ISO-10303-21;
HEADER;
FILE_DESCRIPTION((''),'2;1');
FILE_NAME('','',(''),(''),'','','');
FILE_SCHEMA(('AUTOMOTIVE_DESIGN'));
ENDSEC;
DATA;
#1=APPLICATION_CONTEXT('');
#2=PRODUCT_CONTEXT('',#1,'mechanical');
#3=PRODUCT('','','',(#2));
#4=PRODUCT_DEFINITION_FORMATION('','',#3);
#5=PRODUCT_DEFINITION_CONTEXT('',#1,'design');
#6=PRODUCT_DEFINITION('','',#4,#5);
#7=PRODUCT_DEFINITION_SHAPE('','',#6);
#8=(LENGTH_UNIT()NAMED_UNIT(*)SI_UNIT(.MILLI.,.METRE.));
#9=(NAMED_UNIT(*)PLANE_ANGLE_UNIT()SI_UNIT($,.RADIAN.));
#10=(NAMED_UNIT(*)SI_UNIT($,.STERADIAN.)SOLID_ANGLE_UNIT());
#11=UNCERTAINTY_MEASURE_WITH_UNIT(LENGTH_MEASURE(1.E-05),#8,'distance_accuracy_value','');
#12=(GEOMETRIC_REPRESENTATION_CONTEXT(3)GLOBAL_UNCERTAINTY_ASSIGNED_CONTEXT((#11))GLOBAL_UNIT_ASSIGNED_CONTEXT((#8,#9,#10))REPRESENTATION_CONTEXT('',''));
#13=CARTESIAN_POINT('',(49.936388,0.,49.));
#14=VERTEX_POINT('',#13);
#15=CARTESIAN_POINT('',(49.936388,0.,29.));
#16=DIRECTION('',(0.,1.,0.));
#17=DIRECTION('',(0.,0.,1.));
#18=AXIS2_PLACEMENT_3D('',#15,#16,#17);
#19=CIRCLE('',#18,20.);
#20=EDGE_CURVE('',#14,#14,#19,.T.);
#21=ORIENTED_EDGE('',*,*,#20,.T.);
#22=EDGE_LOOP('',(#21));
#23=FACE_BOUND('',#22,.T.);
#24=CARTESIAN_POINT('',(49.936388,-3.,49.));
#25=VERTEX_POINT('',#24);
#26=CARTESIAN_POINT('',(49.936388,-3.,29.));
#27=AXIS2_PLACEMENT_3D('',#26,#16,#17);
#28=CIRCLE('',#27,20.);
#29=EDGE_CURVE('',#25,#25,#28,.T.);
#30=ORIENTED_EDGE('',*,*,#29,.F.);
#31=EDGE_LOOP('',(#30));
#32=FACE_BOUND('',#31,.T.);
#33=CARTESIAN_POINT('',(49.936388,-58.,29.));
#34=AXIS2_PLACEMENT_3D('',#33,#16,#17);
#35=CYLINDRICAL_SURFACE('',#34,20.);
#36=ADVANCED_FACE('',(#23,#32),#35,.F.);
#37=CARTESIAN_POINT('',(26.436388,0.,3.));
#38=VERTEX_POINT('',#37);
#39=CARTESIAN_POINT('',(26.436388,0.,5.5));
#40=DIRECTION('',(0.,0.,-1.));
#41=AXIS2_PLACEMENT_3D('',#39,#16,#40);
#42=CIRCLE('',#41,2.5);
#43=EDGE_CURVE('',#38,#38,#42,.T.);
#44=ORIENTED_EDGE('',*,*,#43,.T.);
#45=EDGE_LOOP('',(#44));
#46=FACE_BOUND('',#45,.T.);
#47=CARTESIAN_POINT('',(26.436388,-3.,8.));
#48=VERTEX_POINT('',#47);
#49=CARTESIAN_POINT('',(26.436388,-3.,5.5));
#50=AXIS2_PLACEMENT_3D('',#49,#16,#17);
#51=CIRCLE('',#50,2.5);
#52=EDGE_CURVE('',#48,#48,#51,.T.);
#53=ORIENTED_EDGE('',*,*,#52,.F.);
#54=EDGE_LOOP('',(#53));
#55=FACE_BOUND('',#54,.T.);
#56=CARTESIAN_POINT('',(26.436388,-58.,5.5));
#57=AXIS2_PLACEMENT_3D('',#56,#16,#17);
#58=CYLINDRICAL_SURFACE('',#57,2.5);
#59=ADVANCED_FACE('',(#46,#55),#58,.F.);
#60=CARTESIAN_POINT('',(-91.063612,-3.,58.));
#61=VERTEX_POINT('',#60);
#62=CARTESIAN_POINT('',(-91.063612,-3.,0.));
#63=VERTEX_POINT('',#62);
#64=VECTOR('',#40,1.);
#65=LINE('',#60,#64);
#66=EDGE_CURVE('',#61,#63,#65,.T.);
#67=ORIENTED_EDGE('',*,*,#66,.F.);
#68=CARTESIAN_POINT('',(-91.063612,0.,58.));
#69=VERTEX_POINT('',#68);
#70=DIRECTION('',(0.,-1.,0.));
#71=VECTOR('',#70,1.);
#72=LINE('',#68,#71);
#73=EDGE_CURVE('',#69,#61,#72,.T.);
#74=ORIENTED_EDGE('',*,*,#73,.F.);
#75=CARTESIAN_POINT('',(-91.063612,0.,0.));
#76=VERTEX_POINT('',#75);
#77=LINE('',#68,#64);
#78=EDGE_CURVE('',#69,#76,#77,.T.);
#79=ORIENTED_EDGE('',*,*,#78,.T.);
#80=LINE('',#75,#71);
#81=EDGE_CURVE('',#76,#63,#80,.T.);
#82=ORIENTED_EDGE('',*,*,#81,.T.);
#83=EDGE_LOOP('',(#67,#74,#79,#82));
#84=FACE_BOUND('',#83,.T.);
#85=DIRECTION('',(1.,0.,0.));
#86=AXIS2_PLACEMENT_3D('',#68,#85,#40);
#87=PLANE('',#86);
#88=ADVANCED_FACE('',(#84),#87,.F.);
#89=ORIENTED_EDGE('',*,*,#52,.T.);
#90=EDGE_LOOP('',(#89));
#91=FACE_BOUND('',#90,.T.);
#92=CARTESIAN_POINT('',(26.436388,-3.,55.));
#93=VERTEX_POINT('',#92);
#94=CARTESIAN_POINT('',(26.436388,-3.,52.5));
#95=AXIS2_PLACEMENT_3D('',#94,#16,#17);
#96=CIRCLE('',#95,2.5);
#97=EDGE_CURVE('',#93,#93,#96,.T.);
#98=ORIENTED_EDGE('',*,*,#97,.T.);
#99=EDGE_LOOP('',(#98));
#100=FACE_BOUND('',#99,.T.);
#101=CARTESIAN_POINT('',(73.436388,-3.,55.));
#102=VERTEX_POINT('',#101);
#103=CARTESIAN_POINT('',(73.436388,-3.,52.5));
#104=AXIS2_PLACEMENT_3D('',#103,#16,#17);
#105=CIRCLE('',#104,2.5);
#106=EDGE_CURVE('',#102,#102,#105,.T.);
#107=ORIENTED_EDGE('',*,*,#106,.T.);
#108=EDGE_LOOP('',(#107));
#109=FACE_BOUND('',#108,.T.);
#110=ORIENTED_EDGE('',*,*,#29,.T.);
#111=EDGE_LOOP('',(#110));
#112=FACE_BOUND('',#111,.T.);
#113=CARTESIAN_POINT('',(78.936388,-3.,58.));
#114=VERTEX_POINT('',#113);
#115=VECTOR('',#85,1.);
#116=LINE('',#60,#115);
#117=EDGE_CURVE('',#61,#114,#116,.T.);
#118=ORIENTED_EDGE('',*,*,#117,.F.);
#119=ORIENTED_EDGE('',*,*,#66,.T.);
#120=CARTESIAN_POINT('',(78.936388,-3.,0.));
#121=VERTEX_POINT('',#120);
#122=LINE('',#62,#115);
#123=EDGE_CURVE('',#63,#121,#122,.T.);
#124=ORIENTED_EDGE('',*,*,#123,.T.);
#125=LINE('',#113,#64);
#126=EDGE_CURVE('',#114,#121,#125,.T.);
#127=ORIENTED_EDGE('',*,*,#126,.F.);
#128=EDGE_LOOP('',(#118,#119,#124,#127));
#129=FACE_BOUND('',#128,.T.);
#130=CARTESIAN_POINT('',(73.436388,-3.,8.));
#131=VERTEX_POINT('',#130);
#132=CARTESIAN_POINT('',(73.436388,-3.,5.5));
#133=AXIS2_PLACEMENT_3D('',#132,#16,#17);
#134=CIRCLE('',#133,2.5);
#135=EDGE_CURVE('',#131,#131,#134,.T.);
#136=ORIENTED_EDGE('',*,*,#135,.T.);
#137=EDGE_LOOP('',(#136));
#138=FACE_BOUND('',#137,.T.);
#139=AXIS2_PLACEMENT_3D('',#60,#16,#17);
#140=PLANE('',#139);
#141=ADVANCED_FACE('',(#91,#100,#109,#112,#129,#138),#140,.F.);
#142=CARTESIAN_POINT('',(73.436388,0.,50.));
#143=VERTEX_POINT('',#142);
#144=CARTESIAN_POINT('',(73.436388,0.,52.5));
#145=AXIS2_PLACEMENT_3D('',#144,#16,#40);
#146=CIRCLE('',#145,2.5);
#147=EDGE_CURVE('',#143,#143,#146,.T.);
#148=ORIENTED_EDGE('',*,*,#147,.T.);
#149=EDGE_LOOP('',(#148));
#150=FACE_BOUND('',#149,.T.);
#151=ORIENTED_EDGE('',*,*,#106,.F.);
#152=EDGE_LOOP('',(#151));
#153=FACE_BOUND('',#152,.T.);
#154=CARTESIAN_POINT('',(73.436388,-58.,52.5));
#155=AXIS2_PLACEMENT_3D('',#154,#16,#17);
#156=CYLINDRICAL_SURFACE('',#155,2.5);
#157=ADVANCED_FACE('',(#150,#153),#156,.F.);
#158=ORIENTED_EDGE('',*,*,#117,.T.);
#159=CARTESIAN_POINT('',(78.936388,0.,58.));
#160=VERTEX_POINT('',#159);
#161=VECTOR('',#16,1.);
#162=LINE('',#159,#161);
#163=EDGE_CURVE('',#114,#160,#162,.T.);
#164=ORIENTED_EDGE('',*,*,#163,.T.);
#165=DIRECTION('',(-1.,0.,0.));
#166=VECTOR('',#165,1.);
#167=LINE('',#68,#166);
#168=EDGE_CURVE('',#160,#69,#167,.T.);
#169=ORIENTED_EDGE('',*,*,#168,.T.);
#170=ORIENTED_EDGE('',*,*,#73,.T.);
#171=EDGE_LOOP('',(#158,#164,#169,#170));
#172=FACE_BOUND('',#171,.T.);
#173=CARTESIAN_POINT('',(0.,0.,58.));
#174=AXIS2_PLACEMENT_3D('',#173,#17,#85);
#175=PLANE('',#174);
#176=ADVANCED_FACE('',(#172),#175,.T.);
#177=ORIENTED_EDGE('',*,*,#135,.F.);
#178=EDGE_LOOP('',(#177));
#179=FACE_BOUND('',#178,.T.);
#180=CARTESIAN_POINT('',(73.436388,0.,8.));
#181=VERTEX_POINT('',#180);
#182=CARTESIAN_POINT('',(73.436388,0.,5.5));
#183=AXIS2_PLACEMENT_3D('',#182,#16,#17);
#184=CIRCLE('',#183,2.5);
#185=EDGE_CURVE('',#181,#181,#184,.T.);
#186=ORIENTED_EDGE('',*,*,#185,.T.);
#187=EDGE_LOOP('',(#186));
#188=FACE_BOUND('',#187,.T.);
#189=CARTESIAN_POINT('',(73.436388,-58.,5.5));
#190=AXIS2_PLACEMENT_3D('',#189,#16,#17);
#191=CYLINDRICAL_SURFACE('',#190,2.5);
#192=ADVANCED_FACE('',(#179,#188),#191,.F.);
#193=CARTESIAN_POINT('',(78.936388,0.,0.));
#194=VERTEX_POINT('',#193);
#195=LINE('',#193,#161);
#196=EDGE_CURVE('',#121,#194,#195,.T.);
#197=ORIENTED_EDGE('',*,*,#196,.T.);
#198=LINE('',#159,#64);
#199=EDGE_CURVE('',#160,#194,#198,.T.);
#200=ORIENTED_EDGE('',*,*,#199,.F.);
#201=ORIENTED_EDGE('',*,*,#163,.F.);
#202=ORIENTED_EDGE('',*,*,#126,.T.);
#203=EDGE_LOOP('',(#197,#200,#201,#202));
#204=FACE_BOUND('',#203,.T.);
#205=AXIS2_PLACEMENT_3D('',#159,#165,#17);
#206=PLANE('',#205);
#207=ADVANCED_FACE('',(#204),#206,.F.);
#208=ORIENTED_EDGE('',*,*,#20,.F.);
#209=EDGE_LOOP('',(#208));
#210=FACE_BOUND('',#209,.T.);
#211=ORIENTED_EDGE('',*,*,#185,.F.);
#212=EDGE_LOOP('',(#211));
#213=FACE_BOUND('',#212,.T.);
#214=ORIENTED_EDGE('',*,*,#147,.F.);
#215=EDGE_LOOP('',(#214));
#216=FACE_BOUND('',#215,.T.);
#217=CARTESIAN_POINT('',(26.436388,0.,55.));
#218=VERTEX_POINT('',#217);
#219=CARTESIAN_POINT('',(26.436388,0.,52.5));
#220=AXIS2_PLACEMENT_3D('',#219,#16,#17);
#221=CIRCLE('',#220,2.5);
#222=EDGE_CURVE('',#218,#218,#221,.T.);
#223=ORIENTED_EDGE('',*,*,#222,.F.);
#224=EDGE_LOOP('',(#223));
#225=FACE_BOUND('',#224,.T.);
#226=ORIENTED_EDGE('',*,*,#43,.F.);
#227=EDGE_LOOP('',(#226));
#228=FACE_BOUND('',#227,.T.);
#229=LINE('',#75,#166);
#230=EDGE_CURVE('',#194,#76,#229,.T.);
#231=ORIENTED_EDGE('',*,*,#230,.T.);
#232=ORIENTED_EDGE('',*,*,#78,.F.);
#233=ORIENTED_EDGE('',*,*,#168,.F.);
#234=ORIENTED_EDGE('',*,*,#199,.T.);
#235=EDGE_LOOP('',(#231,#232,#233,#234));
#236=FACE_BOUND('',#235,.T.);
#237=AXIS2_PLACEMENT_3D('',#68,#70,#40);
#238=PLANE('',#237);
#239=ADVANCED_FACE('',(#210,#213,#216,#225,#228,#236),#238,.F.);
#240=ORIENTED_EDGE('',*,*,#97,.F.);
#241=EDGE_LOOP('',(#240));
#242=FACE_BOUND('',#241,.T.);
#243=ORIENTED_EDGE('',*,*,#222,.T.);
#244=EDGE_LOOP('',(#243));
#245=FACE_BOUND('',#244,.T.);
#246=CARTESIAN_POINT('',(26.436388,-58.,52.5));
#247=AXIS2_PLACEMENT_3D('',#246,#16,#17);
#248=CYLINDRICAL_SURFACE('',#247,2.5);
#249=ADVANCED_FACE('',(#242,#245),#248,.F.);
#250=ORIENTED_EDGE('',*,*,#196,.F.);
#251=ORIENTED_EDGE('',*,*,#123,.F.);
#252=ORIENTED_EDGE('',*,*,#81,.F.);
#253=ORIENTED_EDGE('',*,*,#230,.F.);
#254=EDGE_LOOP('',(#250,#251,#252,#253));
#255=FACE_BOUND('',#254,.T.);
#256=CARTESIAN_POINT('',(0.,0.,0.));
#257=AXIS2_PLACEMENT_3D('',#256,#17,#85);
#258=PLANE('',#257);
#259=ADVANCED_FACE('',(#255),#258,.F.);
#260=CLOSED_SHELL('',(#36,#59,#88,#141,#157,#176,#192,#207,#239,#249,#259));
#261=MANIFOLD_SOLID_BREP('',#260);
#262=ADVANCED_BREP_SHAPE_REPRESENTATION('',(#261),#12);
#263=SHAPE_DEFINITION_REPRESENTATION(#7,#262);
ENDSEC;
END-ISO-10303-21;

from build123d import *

# Parameters (mm, degrees)
SKETCH1_W           = 170
SKETCH1_H           = 3
BOSS_EXTRUDE1_DEPTH = 58
SKETCH2_R           = 2.5
SKETCH2_R_2         = 20
CUT_EXTRUDE1_DEPTH  = 58


with BuildPart() as part:
    # Sketch1 → Boss-Extrude1 (new body)
    with BuildSketch(Plane.XY):
        with Locations((-6.063612364, -1.5)):
            Rectangle(SKETCH1_W, SKETCH1_H)
    extrude(amount=BOSS_EXTRUDE1_DEPTH)

    # Sketch2 → Cut-Extrude1 (cut)
    with BuildSketch(Plane(origin=(0, 0, 0), x_dir=(1, 0, 0), z_dir=(0, 1, 0))):
        with Locations((73.436387636, -5.5)):
            Circle(SKETCH2_R)
        with Locations((73.436387636, -52.5)):
            Circle(SKETCH2_R)
        with Locations((26.436387636, -52.5)):
            Circle(SKETCH2_R)
        with Locations((26.436387636, -5.5)):
            Circle(SKETCH2_R)
        with Locations((49.936387636, -29)):
            Circle(SKETCH2_R_2)
    extrude(amount=-CUT_EXTRUDE1_DEPTH, mode=Mode.SUBTRACT)


solid = part.part
